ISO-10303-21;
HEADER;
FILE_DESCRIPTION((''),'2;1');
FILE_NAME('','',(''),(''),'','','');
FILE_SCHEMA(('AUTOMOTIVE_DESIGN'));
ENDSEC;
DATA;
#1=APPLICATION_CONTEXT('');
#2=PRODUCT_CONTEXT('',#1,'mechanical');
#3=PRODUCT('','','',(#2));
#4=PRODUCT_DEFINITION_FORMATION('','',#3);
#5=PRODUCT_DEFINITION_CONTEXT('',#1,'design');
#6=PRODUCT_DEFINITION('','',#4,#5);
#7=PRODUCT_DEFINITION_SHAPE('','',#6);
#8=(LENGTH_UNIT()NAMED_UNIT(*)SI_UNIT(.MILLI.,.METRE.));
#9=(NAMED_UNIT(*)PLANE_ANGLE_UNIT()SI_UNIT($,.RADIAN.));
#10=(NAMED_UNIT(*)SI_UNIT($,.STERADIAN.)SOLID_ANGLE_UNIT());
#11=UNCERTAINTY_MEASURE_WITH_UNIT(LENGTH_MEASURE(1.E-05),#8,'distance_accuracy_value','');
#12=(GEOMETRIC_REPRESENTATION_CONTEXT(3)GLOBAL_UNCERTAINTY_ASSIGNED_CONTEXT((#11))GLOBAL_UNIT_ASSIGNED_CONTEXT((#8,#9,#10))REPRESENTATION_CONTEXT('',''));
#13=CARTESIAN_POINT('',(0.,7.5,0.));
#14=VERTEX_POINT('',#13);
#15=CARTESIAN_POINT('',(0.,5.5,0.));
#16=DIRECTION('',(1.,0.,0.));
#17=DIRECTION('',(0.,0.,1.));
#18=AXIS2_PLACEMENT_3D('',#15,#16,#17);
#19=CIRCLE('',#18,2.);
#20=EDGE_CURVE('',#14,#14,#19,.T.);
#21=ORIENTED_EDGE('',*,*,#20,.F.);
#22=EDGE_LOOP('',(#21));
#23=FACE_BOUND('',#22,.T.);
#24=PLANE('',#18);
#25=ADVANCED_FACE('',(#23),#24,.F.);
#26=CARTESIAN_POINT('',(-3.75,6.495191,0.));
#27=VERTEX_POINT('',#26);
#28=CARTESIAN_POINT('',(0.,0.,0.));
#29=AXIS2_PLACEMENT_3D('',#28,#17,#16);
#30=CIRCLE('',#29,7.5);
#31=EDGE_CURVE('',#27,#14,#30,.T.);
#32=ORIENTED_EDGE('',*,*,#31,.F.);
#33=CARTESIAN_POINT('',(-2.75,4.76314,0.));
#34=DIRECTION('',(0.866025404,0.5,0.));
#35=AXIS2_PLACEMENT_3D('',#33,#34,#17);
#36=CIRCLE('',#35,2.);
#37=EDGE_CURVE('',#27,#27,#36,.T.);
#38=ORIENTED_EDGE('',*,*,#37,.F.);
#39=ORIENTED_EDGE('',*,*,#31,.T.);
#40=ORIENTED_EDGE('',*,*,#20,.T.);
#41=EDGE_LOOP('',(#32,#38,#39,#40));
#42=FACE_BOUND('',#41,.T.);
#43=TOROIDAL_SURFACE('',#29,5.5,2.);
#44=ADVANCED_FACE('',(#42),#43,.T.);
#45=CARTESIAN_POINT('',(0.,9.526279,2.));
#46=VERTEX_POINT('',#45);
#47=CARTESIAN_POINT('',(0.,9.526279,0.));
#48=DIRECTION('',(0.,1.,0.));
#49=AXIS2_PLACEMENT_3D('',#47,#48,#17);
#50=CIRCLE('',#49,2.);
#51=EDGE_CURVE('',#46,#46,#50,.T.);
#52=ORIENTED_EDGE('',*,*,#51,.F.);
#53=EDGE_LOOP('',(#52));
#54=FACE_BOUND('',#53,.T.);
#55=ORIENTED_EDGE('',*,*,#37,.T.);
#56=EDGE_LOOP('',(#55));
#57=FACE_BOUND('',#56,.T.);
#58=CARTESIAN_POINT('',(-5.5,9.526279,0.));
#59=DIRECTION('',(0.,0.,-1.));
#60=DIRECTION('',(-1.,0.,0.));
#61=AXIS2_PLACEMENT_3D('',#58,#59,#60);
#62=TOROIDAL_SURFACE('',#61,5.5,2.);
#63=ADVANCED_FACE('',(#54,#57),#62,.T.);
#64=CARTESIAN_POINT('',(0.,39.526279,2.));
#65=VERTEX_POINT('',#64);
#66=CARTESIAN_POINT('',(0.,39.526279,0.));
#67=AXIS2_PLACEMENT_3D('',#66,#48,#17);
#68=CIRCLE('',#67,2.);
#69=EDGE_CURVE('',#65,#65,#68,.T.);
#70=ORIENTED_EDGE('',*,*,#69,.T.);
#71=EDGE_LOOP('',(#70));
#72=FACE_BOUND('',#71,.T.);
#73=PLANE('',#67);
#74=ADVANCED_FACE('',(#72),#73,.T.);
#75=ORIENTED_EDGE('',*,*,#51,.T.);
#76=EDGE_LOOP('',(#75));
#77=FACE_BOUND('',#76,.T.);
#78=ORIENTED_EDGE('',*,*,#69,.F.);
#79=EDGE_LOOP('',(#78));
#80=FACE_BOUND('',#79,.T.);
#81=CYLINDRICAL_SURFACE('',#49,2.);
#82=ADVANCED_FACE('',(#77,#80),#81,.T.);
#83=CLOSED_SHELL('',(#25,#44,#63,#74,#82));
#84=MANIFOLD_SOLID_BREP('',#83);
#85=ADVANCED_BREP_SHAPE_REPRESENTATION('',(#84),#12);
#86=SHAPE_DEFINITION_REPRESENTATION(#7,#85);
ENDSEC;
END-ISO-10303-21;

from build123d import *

# Parameters (mm, degrees)
SKETCH2_R = 2


with BuildPart() as part:
    # Sweep1: sweep along a path in Sketch1
    with BuildLine(Plane.XY) as sweep1_path:
        Line((0, 39.526279442), (0, 9.526279442))
        ThreePointArc((0, 9.526279442), (-0.736860279, 6.776279442), (-2.75, 4.763139721))
        ThreePointArc((-2.75, 4.763139721), (1.423504748, -5.312592045), (0, 5.5))
    # Sketch2 → Sweep1 (sweep)
    with BuildSketch(Plane(origin=(0, 39.526279442, 0), x_dir=(1, 0, 0), z_dir=(0, 1, 0))):
        Circle(SKETCH2_R)
    sweep(path=sweep1_path.line)


solid = part.part
